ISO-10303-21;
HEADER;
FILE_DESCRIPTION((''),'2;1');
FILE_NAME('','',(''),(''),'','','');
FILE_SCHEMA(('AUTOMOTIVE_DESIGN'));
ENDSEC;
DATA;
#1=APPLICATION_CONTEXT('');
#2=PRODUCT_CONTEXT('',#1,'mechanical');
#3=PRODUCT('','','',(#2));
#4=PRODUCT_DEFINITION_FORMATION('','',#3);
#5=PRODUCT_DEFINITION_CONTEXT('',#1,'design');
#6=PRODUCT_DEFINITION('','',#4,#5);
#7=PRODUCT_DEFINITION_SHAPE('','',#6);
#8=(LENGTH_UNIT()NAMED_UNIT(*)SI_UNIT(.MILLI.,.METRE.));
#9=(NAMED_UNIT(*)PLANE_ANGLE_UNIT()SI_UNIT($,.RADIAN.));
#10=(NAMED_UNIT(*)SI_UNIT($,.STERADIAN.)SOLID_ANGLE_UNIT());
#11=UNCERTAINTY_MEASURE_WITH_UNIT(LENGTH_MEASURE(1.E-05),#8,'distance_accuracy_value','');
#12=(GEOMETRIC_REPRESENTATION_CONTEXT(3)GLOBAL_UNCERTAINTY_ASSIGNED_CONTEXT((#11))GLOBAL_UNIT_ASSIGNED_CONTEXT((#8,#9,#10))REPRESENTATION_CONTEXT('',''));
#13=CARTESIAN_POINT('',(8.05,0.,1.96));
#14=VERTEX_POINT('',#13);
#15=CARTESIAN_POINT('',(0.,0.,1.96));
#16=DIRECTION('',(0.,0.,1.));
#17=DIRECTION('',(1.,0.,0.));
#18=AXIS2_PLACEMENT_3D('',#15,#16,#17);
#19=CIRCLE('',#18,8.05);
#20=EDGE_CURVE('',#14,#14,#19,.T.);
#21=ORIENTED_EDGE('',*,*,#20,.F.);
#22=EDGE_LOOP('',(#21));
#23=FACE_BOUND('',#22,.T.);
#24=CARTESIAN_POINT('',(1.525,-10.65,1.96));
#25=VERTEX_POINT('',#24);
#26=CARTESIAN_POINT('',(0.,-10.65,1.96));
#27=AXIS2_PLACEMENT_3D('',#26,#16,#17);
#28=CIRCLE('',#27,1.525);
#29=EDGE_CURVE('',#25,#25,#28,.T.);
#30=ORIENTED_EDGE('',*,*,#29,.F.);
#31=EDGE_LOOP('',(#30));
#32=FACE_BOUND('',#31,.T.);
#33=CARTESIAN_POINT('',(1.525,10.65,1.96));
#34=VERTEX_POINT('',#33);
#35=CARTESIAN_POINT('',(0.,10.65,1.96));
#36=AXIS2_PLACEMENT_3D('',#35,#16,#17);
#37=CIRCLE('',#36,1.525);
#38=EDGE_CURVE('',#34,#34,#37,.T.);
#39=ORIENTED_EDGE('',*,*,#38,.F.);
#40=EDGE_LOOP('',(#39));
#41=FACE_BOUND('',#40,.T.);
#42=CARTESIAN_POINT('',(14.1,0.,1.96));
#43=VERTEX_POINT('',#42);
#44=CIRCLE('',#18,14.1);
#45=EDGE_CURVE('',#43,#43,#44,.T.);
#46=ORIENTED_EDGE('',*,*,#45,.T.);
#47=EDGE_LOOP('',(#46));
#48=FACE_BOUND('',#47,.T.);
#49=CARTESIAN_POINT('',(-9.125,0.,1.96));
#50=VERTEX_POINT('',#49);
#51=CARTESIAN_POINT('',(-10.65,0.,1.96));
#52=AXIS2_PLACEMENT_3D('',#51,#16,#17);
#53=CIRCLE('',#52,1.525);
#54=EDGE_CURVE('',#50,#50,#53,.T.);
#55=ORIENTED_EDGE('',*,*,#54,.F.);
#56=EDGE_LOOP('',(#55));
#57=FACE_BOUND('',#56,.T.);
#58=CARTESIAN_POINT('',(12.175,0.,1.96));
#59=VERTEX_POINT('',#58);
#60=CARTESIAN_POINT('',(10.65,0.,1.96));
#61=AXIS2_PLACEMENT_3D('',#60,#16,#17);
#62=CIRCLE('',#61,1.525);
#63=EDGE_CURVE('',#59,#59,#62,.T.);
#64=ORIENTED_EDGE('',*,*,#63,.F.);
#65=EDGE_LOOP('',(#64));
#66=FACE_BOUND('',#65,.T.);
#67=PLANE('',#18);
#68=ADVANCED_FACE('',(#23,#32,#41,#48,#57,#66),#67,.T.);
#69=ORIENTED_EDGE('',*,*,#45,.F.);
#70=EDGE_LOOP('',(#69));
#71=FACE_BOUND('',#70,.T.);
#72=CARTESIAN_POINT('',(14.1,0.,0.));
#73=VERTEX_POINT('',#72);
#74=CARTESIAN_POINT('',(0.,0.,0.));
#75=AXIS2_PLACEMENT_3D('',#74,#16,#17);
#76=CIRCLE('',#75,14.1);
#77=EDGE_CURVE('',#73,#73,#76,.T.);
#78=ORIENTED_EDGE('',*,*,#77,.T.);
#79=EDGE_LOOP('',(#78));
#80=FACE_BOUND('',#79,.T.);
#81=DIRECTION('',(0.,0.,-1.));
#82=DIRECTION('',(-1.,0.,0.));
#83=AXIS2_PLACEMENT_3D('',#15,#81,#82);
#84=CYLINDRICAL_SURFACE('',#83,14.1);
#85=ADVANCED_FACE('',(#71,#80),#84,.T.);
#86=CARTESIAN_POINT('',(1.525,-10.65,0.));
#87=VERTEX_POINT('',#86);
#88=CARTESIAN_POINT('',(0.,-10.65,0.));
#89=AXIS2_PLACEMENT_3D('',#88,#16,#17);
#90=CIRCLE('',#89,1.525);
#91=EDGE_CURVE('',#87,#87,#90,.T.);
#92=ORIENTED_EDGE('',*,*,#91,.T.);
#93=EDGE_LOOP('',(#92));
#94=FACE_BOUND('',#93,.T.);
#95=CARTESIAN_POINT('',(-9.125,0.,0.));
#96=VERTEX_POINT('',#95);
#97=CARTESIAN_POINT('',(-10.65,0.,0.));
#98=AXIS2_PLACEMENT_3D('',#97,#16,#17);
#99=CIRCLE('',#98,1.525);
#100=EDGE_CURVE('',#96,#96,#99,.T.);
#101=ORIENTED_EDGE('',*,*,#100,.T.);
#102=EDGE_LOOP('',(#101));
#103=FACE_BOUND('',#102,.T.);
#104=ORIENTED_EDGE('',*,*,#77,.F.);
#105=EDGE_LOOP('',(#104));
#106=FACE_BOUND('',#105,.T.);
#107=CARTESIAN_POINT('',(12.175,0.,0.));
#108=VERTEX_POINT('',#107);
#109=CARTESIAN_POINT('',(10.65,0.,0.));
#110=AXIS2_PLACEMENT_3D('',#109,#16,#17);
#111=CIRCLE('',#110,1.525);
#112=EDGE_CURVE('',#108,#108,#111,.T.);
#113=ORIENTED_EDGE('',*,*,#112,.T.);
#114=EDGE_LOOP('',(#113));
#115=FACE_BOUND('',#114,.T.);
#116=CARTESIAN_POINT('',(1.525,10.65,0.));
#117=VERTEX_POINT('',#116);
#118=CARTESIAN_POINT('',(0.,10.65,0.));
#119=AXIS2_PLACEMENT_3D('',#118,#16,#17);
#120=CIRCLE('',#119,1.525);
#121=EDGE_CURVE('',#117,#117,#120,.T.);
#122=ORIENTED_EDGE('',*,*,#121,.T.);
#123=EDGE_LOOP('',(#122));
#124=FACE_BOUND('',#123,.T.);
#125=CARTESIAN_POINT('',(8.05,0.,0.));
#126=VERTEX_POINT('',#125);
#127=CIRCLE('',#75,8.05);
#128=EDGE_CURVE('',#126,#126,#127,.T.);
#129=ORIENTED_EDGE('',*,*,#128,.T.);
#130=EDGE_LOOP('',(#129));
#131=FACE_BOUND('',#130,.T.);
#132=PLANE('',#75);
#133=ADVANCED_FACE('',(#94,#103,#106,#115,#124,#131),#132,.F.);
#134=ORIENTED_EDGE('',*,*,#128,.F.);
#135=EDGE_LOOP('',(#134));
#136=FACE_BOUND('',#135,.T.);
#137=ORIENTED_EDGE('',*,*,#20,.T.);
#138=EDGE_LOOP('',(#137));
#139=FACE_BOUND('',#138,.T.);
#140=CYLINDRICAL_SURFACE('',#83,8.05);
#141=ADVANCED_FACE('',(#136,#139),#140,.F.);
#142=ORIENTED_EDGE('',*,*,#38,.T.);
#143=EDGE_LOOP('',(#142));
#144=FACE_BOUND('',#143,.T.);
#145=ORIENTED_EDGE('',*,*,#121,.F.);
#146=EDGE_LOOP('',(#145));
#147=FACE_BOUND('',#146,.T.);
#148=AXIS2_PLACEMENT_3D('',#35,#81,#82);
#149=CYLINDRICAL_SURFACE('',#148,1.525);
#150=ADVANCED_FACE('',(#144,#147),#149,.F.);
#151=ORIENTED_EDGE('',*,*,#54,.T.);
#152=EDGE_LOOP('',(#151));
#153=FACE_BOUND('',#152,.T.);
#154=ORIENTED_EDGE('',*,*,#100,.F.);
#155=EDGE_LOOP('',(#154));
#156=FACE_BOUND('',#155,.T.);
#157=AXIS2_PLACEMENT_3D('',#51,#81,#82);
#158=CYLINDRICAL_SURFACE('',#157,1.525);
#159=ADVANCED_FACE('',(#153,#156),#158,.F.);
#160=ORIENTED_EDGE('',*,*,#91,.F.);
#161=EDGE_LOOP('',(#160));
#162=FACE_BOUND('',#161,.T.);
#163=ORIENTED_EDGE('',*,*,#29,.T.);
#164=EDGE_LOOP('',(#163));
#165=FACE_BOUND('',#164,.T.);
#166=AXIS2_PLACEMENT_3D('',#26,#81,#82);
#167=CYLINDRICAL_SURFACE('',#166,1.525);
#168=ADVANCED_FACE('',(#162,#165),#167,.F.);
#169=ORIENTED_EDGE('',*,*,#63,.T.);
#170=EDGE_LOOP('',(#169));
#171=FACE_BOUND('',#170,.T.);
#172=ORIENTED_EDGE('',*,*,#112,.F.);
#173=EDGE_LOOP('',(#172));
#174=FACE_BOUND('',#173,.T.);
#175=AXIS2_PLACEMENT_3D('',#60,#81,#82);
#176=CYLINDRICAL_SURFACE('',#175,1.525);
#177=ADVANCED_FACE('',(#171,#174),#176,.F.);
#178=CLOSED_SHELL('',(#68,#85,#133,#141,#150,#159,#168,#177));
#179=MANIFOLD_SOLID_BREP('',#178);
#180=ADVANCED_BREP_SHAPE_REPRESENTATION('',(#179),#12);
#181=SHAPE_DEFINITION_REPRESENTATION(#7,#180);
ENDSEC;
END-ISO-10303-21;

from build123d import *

# Parameters (mm, degrees)
SCHIZZO1_R                   = 14.1
SCHIZZO1_R_2                 = 1.525
SCHIZZO1_R_3                 = 8.05
ESTRUSIONE_ESTRUSIONE1_DEPTH = 1.96


with BuildPart() as part:
    # Schizzo1 → Estrusione-Estrusione1 (new body)
    with BuildSketch(Plane.XY):
        Circle(SCHIZZO1_R)
        with Locations((0, 10.65)):
            Circle(SCHIZZO1_R_2, mode=Mode.SUBTRACT)
        with Locations((10.65, 0)):
            Circle(SCHIZZO1_R_2, mode=Mode.SUBTRACT)
        with Locations((0, -10.65)):
            Circle(SCHIZZO1_R_2, mode=Mode.SUBTRACT)
        with Locations((-10.65, 0)):
            Circle(SCHIZZO1_R_2, mode=Mode.SUBTRACT)
        Circle(SCHIZZO1_R_3, mode=Mode.SUBTRACT)
    extrude(amount=ESTRUSIONE_ESTRUSIONE1_DEPTH)


solid = part.part
